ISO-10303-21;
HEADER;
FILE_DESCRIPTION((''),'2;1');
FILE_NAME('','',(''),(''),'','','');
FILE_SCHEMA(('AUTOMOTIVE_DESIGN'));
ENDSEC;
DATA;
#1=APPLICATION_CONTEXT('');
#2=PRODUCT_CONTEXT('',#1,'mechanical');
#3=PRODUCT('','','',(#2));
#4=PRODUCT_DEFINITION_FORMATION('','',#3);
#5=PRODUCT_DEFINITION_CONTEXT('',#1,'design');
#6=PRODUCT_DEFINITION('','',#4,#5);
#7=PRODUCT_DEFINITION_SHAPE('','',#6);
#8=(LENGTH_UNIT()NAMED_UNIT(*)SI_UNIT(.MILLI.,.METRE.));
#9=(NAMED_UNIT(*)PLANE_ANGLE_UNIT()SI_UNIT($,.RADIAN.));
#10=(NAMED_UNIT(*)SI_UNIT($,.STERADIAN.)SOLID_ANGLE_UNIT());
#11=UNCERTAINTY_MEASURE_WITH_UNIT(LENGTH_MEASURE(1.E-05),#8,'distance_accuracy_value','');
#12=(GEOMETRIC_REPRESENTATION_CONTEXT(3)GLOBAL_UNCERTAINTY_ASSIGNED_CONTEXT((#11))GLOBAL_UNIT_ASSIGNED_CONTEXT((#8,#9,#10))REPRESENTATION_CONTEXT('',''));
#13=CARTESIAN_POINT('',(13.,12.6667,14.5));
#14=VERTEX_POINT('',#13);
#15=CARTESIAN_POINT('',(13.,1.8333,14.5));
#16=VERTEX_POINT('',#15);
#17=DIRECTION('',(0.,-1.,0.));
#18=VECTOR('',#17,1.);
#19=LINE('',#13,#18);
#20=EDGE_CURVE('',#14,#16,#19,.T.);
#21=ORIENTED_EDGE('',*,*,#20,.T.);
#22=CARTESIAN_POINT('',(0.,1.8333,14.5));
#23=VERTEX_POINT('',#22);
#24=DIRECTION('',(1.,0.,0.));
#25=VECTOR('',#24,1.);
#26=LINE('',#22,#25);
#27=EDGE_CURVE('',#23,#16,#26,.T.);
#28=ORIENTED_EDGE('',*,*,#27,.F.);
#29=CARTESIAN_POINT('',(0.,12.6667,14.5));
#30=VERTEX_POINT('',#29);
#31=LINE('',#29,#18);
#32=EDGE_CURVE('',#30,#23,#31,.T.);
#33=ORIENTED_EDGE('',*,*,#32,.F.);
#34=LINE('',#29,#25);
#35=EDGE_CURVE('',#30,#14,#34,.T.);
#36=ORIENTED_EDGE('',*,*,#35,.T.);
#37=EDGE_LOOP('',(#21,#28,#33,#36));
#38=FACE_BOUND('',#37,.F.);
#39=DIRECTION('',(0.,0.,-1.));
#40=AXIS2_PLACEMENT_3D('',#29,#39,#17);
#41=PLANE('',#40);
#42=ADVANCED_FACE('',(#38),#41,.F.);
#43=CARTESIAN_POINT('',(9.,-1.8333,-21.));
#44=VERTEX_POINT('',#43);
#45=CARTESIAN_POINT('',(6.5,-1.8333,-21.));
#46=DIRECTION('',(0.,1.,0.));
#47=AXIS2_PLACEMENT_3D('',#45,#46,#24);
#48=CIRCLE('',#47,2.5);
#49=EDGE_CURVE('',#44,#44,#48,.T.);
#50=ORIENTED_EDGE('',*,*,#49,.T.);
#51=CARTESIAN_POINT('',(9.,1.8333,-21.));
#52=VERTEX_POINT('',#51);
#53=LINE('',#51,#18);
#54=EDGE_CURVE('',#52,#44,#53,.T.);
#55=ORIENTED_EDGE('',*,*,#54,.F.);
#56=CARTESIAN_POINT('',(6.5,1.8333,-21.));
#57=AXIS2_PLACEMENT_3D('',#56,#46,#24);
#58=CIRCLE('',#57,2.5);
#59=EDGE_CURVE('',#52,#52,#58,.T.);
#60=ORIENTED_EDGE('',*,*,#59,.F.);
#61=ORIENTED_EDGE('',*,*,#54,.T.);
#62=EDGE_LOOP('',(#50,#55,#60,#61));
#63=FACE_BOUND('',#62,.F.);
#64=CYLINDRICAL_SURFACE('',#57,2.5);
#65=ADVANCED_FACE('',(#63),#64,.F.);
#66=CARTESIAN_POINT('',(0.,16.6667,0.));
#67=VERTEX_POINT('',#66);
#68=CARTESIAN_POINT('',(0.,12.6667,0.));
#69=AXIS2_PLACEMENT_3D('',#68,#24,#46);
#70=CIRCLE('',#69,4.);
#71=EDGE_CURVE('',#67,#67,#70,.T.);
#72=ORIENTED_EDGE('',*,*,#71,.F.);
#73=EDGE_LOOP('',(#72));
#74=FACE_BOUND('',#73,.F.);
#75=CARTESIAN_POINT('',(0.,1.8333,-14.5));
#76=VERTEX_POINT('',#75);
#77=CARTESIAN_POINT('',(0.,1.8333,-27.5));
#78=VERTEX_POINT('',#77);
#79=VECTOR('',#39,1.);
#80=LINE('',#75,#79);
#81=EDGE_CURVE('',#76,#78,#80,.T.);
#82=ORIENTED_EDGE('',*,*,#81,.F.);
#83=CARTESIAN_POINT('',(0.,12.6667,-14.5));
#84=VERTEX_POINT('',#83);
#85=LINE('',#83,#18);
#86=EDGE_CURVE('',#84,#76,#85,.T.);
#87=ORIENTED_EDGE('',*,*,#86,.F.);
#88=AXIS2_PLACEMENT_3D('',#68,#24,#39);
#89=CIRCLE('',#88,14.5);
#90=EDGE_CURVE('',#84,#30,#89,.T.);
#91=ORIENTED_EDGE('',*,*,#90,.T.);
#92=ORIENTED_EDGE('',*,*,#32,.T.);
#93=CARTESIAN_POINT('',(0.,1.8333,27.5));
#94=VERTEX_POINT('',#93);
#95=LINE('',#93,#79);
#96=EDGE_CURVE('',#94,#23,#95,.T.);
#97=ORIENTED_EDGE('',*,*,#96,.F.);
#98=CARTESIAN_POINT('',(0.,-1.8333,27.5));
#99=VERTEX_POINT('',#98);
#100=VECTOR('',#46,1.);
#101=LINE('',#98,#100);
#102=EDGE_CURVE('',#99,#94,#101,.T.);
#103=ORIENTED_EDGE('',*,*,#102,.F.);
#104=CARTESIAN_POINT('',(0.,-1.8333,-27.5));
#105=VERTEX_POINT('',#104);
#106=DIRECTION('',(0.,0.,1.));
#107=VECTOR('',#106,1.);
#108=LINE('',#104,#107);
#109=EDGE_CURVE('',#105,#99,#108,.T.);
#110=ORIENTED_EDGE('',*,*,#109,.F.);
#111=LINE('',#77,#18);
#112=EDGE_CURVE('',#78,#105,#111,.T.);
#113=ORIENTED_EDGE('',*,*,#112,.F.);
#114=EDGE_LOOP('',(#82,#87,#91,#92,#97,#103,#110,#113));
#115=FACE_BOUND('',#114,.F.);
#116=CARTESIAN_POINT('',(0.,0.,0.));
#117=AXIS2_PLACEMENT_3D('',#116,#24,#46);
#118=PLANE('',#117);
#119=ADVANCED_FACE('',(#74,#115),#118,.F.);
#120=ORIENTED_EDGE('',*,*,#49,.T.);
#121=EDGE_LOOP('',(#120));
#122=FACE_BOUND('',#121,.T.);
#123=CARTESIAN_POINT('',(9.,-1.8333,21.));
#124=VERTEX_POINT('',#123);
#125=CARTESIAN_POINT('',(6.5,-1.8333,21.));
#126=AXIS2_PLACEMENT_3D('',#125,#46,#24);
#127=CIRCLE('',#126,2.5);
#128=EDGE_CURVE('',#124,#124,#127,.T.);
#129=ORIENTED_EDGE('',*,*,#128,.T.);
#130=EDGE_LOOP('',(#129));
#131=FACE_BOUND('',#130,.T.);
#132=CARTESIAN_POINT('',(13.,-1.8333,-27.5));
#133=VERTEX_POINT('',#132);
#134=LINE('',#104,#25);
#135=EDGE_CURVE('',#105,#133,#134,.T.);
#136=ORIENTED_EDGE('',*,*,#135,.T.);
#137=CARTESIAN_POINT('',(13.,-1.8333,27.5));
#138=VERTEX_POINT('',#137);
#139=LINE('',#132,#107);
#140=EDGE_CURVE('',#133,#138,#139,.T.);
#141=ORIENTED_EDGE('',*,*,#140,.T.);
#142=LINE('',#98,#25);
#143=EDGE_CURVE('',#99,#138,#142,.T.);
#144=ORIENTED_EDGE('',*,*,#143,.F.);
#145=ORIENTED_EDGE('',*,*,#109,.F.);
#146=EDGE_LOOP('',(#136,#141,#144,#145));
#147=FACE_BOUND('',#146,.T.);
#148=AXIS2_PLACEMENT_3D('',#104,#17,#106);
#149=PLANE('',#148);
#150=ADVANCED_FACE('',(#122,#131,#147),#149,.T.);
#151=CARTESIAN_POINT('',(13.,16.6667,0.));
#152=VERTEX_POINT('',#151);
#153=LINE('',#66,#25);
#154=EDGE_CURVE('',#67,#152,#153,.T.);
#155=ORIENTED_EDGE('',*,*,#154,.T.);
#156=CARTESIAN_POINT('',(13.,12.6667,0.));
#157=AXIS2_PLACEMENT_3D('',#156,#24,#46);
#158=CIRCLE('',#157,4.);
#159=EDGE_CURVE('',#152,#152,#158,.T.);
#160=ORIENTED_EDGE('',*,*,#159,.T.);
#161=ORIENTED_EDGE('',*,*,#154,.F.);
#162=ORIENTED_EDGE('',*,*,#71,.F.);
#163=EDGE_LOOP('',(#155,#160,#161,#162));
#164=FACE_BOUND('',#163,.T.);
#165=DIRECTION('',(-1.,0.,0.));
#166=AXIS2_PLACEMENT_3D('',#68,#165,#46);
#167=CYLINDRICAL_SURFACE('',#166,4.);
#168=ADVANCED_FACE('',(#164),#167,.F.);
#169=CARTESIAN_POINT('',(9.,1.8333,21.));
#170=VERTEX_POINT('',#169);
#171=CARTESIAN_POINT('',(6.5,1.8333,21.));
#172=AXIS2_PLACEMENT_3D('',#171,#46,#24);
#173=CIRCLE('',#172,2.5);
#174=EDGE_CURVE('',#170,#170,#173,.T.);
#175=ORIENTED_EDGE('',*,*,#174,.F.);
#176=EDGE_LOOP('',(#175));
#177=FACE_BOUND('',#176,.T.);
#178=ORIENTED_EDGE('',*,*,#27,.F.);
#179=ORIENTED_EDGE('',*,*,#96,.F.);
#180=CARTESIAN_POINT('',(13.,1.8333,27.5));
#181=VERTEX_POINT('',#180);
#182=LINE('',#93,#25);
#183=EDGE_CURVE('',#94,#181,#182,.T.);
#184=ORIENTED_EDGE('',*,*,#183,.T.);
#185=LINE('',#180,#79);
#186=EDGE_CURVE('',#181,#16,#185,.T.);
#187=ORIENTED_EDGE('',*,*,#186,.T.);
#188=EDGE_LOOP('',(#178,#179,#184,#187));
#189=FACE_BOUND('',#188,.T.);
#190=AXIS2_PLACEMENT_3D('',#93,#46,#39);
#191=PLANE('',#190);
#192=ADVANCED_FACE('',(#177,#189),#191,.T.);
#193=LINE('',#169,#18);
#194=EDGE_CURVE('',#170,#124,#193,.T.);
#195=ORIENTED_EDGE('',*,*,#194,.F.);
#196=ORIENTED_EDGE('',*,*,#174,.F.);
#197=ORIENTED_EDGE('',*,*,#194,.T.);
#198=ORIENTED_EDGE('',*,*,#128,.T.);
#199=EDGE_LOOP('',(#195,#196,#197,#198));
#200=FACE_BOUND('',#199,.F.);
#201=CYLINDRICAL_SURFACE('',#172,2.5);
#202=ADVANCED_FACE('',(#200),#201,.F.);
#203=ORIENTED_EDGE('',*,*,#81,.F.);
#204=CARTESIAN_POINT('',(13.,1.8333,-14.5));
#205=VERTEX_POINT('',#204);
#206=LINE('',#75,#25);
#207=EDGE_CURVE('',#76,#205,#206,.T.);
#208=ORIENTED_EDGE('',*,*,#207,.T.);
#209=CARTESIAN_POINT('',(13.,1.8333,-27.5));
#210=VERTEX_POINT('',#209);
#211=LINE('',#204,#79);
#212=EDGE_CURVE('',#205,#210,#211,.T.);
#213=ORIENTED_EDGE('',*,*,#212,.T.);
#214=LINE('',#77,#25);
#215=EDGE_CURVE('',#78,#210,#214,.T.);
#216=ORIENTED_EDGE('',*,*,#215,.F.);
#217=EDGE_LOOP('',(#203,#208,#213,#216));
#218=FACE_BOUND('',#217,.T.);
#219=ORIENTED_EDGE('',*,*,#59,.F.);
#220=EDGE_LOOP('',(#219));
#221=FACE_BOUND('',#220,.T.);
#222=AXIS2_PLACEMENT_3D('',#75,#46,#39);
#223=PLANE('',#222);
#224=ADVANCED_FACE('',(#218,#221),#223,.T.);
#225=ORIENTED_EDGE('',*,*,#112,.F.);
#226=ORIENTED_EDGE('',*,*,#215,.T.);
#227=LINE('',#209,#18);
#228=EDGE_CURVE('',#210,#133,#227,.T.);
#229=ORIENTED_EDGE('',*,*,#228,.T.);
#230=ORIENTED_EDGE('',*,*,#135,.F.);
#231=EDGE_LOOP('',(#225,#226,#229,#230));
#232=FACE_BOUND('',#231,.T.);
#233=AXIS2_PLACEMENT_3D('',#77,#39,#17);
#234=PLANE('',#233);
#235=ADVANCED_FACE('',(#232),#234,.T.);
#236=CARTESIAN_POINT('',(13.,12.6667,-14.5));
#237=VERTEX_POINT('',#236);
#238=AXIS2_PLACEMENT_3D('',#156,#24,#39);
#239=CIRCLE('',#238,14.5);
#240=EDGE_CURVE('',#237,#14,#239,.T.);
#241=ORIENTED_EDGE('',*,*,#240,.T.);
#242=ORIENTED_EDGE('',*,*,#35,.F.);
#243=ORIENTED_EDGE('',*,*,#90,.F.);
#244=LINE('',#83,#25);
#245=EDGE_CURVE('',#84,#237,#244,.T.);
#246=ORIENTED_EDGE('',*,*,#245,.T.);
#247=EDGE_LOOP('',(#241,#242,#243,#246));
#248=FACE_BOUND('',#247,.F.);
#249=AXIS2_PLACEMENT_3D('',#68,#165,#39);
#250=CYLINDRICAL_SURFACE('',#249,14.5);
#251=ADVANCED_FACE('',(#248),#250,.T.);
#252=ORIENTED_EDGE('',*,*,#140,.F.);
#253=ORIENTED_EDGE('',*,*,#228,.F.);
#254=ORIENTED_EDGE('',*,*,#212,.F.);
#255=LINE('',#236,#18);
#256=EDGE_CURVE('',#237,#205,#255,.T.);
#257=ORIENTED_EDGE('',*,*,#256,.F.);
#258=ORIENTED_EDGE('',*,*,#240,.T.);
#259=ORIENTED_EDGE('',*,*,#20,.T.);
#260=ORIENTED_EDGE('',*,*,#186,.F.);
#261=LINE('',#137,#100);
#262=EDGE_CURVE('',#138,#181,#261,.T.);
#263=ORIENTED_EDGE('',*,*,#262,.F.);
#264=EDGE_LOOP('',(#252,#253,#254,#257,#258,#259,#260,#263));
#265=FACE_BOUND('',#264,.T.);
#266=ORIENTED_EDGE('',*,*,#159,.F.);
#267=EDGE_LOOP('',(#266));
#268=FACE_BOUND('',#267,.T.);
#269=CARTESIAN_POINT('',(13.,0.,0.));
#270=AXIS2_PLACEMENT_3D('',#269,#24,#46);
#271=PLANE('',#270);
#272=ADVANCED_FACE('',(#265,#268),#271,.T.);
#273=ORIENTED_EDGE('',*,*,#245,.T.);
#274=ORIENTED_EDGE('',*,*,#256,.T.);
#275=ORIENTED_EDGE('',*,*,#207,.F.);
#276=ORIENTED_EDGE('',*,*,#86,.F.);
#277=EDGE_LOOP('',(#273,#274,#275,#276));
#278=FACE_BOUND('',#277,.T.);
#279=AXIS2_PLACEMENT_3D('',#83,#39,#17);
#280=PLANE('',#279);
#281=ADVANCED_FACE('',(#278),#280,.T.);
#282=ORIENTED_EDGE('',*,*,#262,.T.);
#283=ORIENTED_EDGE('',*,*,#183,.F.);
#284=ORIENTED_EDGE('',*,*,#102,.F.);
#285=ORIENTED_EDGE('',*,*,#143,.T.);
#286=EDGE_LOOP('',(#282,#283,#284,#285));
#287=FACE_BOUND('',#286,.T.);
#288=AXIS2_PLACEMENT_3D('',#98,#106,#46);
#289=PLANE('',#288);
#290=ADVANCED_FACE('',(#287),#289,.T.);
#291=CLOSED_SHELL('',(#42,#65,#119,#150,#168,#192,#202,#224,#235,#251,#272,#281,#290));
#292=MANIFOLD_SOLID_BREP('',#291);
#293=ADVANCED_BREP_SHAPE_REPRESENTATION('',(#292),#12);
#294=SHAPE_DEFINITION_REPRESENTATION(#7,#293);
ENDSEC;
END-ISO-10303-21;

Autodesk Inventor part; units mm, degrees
ref_plane "YZ Plane" through (0, 0, 0) normal (1, 0, 0) x (0, 1, 0)
ref_plane "XZ Plane" through (0, 0, 0) normal (0, 1, 0) x (-1, 0, 0)
ref_plane "XY Plane" through (0, 0, 0) normal (0, 0, 1) x (1, 0, 0)
sketch "Sketch1" plane through (0, 0, 0) normal (1, 0, 0) x (0, 1, 0)
  line L0 (-1.8333, 27.5) -> (1.8333, 27.5)
  line L1 (1.8333, -27.5) -> (-1.8333, -27.5)
  line L2 (-1.8333, -27.5) -> (-1.8333, 27.5)
  line L3 (-1.8333, 27.5) -> (1.8333, -27.5) construction
  line L4 (1.8333, 27.5) -> (-1.8333, -27.5) construction
  arc A0 (12.6667, -14.5) -> (12.6667, 14.5) centre (12.6667, 0) ccw
  line L5 (12.6667, 14.5) -> (1.8333, 14.5)
  line L6 (12.6667, -14.5) -> (1.8333, -14.5)
  circle A1 centre (12.6667, 0) radius 4
  line L7 (1.8333, 27.5) -> (1.8333, 14.5)
  line L8 (1.8333, -14.5) -> (1.8333, -27.5)
  point P0 (0, 0)
  dimension "d0" = 55
  dimension "d2" = 8
extrude "Extrusion1" add sketch "Sketch1" along normal blind 13
sketch "Sketch2" plane through (0, 1.8333, 27.5) normal (0, 1, 0) x (1, 0, 0)
  line L0 (13, 13) -> (13, 42) projected
  line L1 (0, 0) -> (13, 13) construction
  line L2 (0, 55) -> (0, 0) projected
  line L3 (0, 42) -> (13, 42) projected
  line L4 (0, 55) -> (13, 42) construction
  circle A0 centre (6.5, 6.5) radius 2.5
  circle A1 centre (6.5, 48.5) radius 2.5
  point P0 (0, 27.5)
  dimension "d5" = 5
  dimension "d6" = 5
extrude "Extrusion2" cut sketch "Sketch2" against normal blind 13
properties part number "bearingStandin" material "Gold"
